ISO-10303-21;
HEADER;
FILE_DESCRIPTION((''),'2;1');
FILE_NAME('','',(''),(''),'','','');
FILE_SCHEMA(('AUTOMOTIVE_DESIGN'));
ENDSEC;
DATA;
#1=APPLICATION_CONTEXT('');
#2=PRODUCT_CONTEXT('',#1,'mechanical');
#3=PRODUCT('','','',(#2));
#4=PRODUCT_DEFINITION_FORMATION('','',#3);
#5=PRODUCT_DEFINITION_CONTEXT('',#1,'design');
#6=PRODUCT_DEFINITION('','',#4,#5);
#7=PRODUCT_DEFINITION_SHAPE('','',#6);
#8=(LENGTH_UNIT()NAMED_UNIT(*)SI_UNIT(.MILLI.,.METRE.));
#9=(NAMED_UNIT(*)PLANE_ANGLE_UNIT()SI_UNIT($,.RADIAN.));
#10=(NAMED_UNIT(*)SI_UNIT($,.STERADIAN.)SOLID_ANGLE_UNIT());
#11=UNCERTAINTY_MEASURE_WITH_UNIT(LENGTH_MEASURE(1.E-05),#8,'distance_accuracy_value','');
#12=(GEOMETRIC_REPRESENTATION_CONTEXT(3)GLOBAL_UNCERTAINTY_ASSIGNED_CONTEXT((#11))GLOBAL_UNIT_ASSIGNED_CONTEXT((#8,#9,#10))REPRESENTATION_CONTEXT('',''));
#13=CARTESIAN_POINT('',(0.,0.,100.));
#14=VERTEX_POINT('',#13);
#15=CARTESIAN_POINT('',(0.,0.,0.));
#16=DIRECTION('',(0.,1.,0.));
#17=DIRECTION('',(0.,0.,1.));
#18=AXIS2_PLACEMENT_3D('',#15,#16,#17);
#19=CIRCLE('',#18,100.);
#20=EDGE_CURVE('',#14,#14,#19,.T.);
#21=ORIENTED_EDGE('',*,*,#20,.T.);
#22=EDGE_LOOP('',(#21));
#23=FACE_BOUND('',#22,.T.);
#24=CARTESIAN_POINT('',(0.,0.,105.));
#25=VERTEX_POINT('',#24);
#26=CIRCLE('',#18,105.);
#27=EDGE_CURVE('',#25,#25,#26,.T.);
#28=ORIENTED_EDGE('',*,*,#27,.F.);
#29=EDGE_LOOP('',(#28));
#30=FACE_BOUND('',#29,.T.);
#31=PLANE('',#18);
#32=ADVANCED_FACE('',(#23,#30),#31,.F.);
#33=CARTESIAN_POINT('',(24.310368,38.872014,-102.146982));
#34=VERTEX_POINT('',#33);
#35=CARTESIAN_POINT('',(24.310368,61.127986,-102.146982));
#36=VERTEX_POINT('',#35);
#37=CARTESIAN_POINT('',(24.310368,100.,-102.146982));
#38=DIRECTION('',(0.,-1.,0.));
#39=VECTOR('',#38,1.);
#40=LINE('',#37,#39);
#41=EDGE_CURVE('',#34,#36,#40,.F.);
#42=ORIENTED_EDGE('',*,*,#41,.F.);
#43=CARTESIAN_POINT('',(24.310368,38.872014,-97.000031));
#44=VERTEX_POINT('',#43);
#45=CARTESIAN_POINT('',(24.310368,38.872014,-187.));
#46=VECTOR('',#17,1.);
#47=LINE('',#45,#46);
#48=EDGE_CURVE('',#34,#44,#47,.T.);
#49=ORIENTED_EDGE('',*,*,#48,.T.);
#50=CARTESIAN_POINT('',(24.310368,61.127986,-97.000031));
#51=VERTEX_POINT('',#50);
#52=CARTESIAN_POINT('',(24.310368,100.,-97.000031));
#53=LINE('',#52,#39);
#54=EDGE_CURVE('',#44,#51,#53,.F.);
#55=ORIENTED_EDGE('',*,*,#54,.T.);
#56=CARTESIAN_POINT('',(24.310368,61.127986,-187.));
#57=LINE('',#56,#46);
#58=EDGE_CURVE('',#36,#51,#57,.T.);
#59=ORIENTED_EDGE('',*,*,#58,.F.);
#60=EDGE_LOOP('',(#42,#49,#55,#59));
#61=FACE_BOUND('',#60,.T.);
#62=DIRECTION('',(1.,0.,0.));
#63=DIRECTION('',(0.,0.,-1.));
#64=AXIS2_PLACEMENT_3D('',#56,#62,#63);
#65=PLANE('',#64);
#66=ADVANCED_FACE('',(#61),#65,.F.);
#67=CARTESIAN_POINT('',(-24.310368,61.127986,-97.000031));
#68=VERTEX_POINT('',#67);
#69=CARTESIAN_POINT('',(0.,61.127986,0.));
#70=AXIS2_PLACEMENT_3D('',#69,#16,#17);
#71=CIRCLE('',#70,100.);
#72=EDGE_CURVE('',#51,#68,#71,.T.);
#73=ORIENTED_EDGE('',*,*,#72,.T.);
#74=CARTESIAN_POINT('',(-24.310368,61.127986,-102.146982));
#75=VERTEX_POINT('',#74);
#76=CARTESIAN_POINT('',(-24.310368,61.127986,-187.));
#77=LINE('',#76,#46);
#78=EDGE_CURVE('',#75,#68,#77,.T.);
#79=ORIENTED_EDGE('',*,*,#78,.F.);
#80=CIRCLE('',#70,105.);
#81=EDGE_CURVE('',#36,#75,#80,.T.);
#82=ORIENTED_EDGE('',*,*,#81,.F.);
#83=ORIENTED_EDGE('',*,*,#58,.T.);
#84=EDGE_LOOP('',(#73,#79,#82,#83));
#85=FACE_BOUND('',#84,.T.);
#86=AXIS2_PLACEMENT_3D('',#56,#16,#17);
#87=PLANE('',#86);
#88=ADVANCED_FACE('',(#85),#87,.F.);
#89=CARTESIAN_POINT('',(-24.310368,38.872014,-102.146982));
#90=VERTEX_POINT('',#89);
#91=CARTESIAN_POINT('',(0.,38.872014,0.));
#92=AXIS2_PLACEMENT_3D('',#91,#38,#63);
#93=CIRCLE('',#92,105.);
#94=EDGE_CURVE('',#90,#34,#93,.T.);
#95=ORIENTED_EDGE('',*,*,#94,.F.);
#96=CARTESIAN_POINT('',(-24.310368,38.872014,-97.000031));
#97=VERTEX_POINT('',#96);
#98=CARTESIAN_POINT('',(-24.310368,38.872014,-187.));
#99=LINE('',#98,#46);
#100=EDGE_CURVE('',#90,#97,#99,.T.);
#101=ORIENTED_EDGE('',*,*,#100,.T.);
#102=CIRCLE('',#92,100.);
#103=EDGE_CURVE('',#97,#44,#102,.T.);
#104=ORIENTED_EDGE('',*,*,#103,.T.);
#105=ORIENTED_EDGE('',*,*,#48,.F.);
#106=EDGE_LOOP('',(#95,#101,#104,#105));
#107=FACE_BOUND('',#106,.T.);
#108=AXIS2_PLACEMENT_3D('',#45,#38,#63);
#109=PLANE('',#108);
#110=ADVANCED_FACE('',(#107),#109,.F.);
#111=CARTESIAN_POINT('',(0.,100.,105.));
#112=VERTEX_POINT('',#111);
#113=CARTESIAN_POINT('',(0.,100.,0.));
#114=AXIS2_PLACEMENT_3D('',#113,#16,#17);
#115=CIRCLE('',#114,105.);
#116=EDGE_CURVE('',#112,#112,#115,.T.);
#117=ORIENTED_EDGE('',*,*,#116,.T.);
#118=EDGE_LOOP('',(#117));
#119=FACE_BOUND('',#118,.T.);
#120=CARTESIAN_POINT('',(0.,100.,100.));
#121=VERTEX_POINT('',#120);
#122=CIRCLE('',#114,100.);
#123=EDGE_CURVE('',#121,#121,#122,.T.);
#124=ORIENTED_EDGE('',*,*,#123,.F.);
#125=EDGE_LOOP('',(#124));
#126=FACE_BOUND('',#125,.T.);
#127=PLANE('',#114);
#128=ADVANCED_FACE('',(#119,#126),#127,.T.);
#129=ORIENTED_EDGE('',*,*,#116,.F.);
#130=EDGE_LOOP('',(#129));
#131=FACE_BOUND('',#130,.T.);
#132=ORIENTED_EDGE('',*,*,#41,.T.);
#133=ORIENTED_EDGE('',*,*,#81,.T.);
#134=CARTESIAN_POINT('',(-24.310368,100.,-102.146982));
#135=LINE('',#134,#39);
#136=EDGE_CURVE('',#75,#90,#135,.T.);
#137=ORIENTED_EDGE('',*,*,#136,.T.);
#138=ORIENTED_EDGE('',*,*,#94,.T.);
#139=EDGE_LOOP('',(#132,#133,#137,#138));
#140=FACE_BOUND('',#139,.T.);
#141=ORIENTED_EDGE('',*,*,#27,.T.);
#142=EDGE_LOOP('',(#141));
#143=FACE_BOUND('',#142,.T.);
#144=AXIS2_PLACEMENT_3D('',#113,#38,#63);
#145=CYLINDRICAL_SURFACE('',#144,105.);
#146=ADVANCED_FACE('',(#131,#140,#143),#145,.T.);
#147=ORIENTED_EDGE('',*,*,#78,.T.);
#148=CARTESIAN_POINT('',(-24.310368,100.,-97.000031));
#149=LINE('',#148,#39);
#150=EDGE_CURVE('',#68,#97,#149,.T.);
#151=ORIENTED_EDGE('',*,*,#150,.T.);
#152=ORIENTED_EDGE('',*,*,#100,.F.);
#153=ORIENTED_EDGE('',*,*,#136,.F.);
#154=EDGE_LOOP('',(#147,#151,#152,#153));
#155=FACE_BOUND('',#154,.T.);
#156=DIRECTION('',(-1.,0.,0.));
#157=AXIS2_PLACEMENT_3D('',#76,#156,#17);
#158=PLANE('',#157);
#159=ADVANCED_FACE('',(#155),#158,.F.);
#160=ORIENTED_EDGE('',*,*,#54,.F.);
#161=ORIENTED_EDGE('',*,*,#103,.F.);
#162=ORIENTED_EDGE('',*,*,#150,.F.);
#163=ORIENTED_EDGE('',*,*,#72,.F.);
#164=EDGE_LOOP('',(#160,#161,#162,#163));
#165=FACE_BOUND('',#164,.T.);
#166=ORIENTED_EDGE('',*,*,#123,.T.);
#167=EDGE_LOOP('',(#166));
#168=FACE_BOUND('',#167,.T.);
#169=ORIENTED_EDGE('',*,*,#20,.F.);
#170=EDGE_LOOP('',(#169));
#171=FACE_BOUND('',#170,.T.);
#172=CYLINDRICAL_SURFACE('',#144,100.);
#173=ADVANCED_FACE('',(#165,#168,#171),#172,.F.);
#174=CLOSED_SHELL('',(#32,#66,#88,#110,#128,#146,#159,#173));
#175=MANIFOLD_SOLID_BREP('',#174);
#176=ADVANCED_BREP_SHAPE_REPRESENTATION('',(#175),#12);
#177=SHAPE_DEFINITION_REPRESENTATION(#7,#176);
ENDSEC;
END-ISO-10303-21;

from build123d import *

# Parameters (mm, degrees)
SKETCH1_R           = 105
SKETCH1_R_2         = 100
BOSS_EXTRUDE3_DEPTH = 100
SKETCH2_W           = 48.620736816
SKETCH2_H           = 22.255971078
CUT_EXTRUDE2_DEPTH  = 187


with BuildPart() as part:
    # Sketch1 → Boss-Extrude3 (new body)
    with BuildSketch(Plane(origin=(0, 0, 0), x_dir=(1, 0, 0), z_dir=(0, 1, 0))):
        Circle(SKETCH1_R)
        Circle(SKETCH1_R_2, mode=Mode.SUBTRACT)
    extrude(amount=BOSS_EXTRUDE3_DEPTH)

    # Sketch2 → Cut-Extrude2 (cut)
    with BuildSketch(Plane.XY):
        with Locations((0, 50)):
            Rectangle(SKETCH2_W, SKETCH2_H)
    extrude(amount=-CUT_EXTRUDE2_DEPTH, mode=Mode.SUBTRACT)


solid = part.part
